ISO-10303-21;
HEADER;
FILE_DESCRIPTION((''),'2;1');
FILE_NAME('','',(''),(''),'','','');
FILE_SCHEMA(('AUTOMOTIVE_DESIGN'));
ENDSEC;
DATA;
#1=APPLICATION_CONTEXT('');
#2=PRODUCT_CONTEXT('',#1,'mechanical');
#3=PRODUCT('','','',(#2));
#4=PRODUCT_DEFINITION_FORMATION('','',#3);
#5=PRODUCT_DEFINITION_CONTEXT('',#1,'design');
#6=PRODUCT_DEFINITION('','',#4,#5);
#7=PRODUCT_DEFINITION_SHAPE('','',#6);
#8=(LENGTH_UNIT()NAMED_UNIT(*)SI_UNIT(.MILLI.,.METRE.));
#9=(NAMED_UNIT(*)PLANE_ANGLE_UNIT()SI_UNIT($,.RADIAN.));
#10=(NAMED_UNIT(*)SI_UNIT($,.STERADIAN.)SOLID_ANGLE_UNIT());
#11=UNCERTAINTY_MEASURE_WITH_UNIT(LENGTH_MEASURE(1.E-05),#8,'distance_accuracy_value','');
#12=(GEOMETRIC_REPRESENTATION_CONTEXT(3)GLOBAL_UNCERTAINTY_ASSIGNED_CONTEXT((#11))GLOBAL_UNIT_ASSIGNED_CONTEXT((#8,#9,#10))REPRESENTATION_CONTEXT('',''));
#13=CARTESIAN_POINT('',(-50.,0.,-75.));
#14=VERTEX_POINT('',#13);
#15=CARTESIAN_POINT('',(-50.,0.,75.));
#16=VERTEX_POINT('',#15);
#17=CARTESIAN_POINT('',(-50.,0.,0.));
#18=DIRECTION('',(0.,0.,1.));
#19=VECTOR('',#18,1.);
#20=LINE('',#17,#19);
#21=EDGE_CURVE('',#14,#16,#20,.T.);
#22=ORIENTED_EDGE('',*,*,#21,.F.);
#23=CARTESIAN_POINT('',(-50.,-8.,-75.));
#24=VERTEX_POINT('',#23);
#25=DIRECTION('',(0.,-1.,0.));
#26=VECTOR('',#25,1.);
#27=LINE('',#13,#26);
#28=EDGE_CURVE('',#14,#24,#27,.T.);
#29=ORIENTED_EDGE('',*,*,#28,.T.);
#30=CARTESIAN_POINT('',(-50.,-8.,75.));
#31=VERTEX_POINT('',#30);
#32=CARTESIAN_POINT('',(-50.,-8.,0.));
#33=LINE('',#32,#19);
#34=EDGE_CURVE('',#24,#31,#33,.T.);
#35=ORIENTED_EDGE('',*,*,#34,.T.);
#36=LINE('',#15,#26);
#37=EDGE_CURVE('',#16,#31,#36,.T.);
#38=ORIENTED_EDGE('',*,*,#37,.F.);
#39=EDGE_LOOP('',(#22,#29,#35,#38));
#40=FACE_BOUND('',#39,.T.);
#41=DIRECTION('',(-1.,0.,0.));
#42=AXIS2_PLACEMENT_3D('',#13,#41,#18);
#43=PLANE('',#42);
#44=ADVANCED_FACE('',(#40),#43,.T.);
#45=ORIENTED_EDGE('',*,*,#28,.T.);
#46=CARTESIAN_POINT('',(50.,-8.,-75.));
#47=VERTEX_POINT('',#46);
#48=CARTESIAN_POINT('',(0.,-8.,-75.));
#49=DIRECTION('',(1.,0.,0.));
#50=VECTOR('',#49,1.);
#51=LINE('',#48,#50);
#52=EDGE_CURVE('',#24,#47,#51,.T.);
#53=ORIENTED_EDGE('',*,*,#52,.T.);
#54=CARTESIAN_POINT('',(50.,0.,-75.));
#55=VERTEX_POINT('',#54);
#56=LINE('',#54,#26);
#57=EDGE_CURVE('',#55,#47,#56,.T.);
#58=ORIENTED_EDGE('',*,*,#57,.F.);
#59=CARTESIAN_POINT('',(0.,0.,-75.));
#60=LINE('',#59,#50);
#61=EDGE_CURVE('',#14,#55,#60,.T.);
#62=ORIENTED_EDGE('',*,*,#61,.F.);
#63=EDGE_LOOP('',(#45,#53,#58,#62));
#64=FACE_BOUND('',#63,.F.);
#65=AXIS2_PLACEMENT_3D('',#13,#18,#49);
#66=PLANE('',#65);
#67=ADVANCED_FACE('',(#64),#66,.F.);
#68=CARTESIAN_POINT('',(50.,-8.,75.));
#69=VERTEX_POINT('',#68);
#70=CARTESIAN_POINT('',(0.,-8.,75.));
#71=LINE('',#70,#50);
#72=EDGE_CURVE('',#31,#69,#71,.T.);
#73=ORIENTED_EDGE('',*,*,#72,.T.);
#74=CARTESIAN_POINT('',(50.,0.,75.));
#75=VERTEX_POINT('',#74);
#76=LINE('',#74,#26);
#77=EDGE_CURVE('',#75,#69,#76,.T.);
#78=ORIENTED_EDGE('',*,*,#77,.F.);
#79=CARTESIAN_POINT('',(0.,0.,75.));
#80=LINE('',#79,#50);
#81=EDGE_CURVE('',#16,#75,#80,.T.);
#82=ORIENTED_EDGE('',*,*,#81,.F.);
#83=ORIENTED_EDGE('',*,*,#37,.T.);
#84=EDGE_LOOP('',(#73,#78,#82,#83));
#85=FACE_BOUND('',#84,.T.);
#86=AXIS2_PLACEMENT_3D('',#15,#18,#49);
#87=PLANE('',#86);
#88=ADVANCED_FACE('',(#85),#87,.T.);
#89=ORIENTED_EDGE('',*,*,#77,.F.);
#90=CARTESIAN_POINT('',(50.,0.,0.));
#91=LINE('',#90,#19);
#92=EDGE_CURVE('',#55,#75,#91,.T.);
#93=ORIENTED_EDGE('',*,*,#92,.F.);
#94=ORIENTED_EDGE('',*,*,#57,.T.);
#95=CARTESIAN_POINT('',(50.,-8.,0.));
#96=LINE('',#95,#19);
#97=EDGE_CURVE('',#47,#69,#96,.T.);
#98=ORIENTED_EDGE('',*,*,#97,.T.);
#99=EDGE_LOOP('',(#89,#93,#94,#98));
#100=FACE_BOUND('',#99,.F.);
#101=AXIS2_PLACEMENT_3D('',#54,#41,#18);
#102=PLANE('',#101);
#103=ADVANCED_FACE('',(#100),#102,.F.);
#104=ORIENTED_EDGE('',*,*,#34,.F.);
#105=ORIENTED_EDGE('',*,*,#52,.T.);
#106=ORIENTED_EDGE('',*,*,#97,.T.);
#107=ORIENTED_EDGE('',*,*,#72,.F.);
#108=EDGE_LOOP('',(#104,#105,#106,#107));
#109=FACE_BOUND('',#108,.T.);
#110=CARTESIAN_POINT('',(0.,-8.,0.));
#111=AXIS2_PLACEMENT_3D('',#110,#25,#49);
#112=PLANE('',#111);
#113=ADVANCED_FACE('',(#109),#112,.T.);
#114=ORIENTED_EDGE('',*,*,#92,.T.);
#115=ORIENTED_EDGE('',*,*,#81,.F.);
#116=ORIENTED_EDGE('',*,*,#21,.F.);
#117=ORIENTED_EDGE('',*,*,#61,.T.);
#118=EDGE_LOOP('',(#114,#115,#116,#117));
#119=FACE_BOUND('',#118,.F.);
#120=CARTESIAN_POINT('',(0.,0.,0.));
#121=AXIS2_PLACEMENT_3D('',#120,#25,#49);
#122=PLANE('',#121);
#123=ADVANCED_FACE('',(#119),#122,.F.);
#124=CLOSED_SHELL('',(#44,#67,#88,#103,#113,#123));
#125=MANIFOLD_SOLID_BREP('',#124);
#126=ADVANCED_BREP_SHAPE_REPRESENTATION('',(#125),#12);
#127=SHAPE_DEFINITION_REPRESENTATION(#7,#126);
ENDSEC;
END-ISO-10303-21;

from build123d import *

# Parameters (mm, degrees)
SKETCH_W  = 100
SKETCH_H  = 150
PAD_DEPTH = 8


with BuildPart() as part:
    # Sketch → Pad (new body)
    with BuildSketch(Plane.XZ):
        Rectangle(SKETCH_W, SKETCH_H)
    extrude(amount=PAD_DEPTH)


solid = part.part
